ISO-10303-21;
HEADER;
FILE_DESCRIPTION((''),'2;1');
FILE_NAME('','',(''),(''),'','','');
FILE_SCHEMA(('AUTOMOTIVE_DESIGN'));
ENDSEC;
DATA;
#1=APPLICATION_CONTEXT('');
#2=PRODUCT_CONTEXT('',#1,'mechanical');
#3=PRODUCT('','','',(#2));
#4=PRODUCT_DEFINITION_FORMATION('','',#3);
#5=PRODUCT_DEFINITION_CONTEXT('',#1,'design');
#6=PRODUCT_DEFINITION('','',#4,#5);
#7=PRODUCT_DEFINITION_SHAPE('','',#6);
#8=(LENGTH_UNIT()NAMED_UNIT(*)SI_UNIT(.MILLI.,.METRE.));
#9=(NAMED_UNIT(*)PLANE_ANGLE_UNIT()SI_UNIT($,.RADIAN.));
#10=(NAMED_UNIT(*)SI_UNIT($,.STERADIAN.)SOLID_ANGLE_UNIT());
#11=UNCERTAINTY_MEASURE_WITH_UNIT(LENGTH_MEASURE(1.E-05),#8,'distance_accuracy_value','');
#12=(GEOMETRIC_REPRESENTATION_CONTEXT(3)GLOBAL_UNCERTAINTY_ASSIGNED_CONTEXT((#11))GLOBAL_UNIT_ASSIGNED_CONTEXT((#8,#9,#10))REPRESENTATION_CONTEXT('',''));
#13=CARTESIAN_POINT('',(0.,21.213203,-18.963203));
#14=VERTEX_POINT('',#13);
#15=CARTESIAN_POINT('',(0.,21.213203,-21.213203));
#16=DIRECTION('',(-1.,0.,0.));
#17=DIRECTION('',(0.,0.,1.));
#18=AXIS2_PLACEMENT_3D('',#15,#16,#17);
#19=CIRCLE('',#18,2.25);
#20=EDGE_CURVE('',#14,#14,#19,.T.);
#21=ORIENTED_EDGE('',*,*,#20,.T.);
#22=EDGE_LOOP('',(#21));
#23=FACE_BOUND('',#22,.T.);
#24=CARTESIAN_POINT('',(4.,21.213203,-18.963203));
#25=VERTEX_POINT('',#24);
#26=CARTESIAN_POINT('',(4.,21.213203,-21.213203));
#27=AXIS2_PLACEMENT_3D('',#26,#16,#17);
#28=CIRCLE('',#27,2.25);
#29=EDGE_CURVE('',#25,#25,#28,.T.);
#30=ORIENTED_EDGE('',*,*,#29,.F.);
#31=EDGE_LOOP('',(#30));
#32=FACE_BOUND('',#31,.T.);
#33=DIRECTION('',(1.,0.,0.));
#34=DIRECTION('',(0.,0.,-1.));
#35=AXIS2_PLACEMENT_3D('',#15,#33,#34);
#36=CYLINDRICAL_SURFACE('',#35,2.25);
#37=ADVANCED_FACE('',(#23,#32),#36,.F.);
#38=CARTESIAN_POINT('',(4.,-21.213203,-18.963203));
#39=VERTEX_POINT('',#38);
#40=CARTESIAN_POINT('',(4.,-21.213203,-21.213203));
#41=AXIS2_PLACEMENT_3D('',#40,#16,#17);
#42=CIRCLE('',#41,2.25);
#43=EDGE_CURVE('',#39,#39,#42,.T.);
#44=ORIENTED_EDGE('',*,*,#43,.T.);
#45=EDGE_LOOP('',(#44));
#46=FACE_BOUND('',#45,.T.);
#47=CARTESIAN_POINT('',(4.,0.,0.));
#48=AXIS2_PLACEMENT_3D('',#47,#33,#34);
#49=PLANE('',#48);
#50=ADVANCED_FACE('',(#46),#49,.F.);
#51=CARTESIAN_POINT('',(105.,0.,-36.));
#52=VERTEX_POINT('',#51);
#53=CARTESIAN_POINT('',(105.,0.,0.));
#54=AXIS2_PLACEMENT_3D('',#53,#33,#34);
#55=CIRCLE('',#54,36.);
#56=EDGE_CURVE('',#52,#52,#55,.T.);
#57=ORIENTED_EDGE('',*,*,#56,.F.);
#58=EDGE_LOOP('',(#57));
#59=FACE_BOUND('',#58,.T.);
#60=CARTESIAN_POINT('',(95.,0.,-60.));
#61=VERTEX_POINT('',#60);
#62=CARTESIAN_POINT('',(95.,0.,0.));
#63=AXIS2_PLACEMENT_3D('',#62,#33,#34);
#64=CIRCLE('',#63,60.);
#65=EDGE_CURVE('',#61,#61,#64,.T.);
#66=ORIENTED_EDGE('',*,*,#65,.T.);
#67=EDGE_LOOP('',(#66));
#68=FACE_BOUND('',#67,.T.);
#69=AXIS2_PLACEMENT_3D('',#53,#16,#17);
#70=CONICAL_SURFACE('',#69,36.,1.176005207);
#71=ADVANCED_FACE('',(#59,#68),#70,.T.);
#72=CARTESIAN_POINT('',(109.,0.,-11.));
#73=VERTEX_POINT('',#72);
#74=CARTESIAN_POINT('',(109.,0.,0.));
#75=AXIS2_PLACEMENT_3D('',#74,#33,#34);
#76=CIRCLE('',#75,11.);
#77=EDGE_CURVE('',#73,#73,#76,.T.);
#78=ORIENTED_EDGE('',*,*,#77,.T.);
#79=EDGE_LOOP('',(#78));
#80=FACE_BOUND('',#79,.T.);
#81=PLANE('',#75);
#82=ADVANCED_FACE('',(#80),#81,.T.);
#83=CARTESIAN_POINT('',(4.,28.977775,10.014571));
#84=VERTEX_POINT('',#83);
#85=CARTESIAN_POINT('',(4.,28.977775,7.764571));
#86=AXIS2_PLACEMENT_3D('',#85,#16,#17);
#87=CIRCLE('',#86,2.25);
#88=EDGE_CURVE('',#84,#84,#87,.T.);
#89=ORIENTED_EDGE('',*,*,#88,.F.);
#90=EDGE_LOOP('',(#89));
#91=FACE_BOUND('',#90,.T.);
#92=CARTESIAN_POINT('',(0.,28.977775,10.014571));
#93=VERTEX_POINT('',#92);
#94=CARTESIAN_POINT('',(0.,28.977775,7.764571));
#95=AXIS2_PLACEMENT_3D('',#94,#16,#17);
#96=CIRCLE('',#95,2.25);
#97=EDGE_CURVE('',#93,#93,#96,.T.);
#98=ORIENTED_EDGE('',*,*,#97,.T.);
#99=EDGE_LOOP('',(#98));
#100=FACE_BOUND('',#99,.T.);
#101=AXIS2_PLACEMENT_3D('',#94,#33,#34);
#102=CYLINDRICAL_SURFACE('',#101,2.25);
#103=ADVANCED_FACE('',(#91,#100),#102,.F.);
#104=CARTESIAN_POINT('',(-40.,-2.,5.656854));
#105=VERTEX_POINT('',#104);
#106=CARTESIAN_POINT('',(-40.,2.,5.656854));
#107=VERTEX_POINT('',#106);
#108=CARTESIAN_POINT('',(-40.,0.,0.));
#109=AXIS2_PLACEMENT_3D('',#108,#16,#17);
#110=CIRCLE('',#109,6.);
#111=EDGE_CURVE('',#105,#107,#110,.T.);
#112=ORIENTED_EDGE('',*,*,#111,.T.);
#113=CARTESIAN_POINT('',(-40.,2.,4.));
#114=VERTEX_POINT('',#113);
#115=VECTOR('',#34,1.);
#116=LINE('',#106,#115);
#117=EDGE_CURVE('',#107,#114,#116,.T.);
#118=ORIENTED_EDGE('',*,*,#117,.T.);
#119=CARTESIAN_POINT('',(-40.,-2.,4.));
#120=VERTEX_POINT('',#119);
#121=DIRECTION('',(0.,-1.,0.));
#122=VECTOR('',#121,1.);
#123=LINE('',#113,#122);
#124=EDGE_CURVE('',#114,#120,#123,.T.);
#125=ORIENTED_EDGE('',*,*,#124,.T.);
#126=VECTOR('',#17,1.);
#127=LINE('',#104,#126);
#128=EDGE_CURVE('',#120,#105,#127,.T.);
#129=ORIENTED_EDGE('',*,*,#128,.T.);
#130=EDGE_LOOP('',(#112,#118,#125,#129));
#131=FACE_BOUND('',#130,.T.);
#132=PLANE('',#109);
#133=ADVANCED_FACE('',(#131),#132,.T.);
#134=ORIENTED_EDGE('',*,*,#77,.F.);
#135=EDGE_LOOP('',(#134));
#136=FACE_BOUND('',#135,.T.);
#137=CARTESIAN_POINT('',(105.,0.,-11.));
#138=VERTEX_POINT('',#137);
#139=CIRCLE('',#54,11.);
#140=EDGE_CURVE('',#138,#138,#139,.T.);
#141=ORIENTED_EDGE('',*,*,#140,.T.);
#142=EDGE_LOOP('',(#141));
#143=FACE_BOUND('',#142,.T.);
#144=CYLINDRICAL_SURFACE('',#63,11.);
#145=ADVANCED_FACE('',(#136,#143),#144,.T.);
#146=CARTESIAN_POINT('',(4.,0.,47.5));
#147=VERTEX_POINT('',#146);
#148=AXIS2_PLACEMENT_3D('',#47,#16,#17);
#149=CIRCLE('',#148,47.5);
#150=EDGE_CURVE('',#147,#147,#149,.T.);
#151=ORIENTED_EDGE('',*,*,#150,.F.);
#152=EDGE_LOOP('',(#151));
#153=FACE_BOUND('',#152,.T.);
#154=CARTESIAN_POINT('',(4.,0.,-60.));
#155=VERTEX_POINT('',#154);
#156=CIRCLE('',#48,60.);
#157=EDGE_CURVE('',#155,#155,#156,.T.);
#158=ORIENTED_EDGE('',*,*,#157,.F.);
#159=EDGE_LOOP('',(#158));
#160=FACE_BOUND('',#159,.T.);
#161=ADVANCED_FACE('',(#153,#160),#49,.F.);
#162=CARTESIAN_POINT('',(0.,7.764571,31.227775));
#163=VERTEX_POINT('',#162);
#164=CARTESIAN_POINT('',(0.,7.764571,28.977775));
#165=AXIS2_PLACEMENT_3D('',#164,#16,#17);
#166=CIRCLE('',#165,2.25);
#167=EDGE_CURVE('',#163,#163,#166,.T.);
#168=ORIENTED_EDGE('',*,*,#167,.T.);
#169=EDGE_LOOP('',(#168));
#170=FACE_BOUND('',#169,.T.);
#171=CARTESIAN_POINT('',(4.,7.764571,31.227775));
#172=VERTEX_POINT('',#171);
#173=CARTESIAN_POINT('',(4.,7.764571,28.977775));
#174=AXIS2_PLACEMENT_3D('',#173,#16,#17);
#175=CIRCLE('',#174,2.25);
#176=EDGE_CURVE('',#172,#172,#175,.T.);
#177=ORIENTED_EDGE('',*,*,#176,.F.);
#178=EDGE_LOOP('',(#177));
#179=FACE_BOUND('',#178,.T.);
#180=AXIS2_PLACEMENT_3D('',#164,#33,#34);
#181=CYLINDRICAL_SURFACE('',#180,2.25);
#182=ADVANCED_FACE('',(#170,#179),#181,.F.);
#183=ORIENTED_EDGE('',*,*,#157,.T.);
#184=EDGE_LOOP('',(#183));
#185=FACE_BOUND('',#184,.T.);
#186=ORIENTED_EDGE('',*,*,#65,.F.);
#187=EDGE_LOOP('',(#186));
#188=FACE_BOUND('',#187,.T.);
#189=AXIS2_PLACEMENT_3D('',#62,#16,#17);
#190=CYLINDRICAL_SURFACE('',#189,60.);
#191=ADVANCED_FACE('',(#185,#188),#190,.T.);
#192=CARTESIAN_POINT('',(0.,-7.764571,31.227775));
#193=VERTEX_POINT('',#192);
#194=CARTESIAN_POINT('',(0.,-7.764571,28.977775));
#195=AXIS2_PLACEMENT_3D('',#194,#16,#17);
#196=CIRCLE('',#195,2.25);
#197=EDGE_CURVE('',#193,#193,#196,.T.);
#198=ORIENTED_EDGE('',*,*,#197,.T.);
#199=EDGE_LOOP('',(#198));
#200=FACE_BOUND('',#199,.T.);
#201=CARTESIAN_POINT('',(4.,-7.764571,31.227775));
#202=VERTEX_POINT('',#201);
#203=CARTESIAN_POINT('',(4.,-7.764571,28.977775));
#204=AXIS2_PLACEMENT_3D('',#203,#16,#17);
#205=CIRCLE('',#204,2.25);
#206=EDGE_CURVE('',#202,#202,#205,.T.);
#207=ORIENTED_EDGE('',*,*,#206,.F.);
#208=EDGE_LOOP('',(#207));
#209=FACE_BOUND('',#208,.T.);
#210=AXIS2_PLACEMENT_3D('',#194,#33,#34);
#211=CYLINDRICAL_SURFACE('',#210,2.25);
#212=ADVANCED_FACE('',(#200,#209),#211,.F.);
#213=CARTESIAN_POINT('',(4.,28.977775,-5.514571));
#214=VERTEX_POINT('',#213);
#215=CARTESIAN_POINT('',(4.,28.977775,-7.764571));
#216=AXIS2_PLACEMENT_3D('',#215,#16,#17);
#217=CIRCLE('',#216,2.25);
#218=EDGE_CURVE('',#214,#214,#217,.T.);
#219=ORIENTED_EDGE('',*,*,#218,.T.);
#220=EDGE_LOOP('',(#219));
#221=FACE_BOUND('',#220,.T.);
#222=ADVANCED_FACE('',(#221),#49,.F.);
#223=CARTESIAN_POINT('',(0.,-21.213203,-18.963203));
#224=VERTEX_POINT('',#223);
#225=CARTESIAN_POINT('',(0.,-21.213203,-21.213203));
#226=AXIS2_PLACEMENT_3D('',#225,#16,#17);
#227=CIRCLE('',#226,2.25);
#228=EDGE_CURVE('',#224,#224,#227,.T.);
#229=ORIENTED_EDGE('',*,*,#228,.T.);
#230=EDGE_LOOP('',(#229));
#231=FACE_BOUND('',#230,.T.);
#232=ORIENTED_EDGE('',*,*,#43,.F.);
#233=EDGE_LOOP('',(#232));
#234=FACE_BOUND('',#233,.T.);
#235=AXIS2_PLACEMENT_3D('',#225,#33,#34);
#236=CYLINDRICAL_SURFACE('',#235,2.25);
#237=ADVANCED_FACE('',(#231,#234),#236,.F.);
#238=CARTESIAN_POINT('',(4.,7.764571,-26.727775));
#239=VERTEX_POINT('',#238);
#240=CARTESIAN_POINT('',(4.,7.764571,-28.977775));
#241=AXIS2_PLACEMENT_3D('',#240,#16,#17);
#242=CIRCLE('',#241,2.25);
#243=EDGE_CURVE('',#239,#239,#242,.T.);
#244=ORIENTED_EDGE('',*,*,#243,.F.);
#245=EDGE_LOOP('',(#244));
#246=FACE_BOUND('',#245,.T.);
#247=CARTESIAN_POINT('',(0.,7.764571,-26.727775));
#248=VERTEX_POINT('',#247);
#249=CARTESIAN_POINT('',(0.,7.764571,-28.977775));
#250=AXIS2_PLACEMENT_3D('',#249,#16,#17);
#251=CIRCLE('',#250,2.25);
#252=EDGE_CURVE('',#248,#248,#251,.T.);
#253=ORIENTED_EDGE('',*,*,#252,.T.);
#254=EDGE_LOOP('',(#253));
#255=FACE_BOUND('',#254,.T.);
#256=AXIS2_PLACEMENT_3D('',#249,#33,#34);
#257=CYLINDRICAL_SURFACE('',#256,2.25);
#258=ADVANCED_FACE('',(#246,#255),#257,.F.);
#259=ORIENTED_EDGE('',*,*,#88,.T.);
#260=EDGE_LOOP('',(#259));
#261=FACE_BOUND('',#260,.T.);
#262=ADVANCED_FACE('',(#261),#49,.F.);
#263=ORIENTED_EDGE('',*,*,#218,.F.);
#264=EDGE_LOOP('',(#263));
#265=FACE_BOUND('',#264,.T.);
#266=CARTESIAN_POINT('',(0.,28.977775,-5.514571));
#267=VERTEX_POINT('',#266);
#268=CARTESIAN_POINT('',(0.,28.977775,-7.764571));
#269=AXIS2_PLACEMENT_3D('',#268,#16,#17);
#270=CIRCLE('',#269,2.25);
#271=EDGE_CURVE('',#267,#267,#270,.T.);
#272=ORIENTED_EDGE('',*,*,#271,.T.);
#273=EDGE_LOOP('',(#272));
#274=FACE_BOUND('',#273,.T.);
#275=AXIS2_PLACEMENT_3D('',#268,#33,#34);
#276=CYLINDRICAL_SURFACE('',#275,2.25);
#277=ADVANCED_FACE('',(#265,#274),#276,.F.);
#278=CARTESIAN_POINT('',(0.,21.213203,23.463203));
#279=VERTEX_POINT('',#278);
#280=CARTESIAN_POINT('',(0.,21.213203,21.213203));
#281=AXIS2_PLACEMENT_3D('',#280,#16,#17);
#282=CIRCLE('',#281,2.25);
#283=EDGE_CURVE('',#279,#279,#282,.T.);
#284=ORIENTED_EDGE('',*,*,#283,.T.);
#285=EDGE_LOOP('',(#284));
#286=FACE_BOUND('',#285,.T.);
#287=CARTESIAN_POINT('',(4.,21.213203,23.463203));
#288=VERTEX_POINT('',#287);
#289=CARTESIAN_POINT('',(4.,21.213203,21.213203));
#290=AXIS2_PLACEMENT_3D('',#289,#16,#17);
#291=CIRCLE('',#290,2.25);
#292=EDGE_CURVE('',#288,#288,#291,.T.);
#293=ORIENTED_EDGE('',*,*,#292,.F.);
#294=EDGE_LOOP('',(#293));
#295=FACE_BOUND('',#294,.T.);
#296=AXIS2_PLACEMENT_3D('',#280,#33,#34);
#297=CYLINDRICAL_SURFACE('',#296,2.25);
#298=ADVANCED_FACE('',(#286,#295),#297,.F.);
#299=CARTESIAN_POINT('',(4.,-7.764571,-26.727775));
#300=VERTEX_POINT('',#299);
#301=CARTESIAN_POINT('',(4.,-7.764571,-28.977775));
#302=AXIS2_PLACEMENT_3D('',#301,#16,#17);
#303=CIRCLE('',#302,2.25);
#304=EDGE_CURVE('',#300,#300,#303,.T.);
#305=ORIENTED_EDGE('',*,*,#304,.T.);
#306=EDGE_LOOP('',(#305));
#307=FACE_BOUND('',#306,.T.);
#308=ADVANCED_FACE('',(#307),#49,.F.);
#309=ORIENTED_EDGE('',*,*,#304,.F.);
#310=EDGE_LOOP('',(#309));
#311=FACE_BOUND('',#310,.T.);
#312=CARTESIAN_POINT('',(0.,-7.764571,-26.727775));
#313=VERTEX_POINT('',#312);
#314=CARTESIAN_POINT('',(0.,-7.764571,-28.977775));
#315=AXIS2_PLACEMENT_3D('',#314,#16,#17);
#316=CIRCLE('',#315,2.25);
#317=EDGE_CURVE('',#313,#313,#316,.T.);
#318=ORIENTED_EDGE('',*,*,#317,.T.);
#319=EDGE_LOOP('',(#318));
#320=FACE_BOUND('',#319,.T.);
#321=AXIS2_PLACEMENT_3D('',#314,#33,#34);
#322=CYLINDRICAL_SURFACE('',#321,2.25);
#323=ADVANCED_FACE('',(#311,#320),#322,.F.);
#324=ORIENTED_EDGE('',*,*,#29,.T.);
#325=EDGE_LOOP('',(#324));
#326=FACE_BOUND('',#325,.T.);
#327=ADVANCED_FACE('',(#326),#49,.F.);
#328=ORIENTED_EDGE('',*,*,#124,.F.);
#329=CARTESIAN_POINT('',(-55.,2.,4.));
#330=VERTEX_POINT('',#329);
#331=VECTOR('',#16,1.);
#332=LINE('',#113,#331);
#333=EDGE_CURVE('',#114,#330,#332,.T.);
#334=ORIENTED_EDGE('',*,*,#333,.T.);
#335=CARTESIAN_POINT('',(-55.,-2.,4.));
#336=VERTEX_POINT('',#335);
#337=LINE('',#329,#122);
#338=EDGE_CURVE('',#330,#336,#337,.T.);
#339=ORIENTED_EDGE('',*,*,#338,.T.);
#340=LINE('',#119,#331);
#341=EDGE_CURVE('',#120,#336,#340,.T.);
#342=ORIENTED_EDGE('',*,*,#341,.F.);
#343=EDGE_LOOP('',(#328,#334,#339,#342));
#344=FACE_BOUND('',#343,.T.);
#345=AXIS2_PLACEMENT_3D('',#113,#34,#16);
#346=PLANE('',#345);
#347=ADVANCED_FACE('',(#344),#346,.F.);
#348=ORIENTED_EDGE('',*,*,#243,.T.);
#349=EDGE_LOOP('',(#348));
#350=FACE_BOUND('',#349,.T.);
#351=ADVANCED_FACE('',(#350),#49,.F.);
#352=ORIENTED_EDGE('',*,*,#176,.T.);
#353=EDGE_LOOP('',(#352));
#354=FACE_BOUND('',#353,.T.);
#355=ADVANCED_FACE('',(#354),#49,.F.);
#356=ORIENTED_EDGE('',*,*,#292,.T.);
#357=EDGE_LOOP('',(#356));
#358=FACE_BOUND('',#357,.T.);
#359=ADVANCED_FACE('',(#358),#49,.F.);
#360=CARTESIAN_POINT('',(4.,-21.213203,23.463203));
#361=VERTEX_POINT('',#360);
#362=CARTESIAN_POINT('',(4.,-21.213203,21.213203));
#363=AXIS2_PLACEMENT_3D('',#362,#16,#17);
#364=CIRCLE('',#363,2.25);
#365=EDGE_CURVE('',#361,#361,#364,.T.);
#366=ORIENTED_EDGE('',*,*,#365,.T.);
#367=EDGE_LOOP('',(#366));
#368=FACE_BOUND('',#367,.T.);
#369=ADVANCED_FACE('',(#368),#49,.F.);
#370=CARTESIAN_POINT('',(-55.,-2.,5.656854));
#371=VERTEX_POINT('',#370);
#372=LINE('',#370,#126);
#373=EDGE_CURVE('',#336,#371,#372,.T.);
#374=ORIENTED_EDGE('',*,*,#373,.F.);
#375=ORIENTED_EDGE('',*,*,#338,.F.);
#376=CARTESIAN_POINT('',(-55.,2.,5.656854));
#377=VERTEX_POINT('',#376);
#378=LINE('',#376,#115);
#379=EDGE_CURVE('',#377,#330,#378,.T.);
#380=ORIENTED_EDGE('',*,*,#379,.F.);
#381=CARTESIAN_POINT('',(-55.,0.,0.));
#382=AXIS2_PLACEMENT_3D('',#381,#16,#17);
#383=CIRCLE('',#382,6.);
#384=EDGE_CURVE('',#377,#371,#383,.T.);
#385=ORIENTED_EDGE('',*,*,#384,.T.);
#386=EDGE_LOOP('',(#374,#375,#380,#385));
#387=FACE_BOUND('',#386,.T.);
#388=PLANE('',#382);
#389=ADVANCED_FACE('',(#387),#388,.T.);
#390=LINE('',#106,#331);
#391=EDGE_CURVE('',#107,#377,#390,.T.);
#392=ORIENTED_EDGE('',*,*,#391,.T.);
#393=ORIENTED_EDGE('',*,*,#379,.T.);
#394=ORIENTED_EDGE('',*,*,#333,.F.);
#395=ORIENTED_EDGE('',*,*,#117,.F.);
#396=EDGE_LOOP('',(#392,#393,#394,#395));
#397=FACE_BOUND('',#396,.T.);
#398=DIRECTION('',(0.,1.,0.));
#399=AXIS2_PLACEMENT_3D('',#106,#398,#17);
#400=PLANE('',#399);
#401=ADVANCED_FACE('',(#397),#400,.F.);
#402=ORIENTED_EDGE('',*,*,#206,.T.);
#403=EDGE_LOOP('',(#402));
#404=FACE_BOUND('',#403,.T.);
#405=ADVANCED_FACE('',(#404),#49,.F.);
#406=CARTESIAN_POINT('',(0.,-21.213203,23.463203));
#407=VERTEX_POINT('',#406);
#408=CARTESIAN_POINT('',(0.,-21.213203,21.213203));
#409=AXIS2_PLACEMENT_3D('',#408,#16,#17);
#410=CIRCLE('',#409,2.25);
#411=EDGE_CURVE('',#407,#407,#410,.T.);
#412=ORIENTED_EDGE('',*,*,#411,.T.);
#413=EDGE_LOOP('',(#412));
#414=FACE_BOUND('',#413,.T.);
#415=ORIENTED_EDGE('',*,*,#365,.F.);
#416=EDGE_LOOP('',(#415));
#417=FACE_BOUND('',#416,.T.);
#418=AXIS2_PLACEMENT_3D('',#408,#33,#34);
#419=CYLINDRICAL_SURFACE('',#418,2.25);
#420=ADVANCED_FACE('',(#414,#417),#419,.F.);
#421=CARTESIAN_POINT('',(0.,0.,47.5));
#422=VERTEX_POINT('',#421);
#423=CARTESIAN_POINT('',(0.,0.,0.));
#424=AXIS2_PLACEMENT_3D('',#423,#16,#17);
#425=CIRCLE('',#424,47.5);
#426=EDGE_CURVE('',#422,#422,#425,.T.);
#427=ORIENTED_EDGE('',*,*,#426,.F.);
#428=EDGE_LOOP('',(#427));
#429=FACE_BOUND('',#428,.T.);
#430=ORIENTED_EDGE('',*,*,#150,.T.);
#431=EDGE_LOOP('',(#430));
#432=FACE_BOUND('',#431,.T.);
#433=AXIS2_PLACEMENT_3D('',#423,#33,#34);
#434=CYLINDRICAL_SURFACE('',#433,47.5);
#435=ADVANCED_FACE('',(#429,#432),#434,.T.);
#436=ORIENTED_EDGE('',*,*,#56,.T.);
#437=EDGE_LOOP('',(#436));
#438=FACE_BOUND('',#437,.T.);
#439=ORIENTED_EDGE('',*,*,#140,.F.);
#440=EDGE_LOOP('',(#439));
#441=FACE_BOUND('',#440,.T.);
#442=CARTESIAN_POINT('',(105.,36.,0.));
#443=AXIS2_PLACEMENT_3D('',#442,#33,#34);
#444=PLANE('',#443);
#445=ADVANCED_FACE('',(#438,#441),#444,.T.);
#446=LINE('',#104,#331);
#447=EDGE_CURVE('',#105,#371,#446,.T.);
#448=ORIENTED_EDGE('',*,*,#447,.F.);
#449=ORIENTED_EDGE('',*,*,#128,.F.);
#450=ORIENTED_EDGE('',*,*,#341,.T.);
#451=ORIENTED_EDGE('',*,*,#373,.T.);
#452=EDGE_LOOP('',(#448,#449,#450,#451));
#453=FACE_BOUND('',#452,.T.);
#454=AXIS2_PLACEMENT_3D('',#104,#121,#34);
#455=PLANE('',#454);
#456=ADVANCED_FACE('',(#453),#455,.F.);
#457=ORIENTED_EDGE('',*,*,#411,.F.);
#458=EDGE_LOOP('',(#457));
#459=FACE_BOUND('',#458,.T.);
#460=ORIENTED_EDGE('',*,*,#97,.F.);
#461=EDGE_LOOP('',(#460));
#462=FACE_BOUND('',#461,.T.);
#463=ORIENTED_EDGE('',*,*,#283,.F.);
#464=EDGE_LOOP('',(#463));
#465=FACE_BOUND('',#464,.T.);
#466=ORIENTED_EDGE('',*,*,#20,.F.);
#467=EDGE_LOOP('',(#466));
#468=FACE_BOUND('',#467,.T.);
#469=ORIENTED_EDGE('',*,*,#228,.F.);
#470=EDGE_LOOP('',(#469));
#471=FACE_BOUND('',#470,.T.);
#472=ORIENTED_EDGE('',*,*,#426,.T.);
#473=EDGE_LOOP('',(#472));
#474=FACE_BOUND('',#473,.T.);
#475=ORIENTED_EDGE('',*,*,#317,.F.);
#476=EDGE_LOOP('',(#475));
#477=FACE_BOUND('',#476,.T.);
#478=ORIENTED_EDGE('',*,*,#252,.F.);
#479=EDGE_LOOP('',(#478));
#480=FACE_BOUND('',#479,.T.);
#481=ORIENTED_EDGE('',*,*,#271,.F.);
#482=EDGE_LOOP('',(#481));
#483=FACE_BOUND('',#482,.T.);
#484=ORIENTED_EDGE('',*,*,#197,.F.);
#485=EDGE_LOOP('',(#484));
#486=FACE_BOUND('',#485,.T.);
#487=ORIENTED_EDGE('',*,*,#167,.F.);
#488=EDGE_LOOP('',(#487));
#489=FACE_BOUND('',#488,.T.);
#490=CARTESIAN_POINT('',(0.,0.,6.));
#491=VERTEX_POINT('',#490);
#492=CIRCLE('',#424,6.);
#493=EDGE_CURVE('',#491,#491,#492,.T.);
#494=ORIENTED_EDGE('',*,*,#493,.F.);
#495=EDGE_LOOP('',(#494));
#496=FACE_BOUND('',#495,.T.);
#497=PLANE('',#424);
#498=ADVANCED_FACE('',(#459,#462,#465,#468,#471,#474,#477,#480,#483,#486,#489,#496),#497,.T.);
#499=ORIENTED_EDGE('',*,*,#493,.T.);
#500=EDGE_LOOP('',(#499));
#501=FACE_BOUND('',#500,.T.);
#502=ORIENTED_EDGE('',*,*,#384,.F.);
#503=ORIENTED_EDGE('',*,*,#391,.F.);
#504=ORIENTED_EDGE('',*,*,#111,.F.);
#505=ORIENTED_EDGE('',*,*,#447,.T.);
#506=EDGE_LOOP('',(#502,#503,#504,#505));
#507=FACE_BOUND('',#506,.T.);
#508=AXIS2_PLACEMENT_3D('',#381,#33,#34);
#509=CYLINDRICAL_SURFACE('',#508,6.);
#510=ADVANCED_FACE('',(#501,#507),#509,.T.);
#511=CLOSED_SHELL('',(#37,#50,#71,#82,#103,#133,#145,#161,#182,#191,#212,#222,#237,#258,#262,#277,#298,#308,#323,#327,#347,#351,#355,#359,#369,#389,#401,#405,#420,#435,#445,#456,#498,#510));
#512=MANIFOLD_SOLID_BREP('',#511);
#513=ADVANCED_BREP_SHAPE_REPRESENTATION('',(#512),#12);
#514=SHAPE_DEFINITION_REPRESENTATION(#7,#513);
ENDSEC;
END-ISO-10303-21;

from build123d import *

# Parameters (mm, degrees)
BOSS_EXTRUDE1_START = 4
SKETCH1_R           = 60
BOSS_EXTRUDE1_DEPTH = 91
SKETCH3_R           = 47.5
SKETCH3_R_2         = 2.25
BOSS_EXTRUDE2_DEPTH = 4
SKETCH4_R           = 6
BOSS_EXTRUDE3_DEPTH = 55
CUT_EXTRUDE1_START  = -15
CUT_EXTRUDE1_DEPTH  = 15


with BuildPart() as part:
    # Sketch1 → Boss-Extrude1 (new body)
    with BuildSketch(Plane(origin=(0, 0, 0), x_dir=(0, 0, -1), z_dir=(1, 0, 0)).offset(BOSS_EXTRUDE1_START)):
        Circle(SKETCH1_R)
    extrude(amount=BOSS_EXTRUDE1_DEPTH)

    # Sketch2 → Revolve1 (revolve)
    with BuildSketch(Plane.XY):
        Polygon((95, 60), (105, 36), (105, 11), (109, 11), (109, 0), (105, 0), (95, 0), align=None)
    revolve(axis=Axis((95, 0, 0), (-1, 0, 0)))

    # Sketch3 → Boss-Extrude2 (add)
    with BuildSketch(Plane.ZY.offset(-4)):
        Circle(SKETCH3_R)
        with Locations((21.213203436, -21.213203436)):
            Circle(SKETCH3_R_2, mode=Mode.SUBTRACT)
        with Locations((-21.213203436, -21.213203436)):
            Circle(SKETCH3_R_2, mode=Mode.SUBTRACT)
        with Locations((-28.977774789, -7.764571353)):
            Circle(SKETCH3_R_2, mode=Mode.SUBTRACT)
        with Locations((-28.977774789, 7.764571353)):
            Circle(SKETCH3_R_2, mode=Mode.SUBTRACT)
        with Locations((-21.213203436, 21.213203436)):
            Circle(SKETCH3_R_2, mode=Mode.SUBTRACT)
        with Locations((-7.764571353, 28.977774789)):
            Circle(SKETCH3_R_2, mode=Mode.SUBTRACT)
        with Locations((7.764571353, 28.977774789)):
            Circle(SKETCH3_R_2, mode=Mode.SUBTRACT)
        with Locations((21.213203436, 21.213203436)):
            Circle(SKETCH3_R_2, mode=Mode.SUBTRACT)
        with Locations((28.977774789, 7.764571353)):
            Circle(SKETCH3_R_2, mode=Mode.SUBTRACT)
        with Locations((28.977774789, -7.764571353)):
            Circle(SKETCH3_R_2, mode=Mode.SUBTRACT)
    extrude(amount=BOSS_EXTRUDE2_DEPTH)

    # Sketch4 → Boss-Extrude3 (add)
    with BuildSketch(Plane.ZY):
        Circle(SKETCH4_R)
    extrude(amount=BOSS_EXTRUDE3_DEPTH)

    # Sketch5 → Cut-Extrude1 (cut)
    with BuildSketch(Plane.ZY.offset(55).offset(CUT_EXTRUDE1_START)):
        with BuildLine():
            Line((5.656854249, 2), (4, 2))
            Line((4, 2), (4, -2))
            Line((4, -2), (5.656854249, -2))
            ThreePointArc((5.656854249, -2), (6, 0), (5.656854249, 2))
        make_face()
    extrude(amount=CUT_EXTRUDE1_DEPTH, mode=Mode.SUBTRACT)


solid = part.part
